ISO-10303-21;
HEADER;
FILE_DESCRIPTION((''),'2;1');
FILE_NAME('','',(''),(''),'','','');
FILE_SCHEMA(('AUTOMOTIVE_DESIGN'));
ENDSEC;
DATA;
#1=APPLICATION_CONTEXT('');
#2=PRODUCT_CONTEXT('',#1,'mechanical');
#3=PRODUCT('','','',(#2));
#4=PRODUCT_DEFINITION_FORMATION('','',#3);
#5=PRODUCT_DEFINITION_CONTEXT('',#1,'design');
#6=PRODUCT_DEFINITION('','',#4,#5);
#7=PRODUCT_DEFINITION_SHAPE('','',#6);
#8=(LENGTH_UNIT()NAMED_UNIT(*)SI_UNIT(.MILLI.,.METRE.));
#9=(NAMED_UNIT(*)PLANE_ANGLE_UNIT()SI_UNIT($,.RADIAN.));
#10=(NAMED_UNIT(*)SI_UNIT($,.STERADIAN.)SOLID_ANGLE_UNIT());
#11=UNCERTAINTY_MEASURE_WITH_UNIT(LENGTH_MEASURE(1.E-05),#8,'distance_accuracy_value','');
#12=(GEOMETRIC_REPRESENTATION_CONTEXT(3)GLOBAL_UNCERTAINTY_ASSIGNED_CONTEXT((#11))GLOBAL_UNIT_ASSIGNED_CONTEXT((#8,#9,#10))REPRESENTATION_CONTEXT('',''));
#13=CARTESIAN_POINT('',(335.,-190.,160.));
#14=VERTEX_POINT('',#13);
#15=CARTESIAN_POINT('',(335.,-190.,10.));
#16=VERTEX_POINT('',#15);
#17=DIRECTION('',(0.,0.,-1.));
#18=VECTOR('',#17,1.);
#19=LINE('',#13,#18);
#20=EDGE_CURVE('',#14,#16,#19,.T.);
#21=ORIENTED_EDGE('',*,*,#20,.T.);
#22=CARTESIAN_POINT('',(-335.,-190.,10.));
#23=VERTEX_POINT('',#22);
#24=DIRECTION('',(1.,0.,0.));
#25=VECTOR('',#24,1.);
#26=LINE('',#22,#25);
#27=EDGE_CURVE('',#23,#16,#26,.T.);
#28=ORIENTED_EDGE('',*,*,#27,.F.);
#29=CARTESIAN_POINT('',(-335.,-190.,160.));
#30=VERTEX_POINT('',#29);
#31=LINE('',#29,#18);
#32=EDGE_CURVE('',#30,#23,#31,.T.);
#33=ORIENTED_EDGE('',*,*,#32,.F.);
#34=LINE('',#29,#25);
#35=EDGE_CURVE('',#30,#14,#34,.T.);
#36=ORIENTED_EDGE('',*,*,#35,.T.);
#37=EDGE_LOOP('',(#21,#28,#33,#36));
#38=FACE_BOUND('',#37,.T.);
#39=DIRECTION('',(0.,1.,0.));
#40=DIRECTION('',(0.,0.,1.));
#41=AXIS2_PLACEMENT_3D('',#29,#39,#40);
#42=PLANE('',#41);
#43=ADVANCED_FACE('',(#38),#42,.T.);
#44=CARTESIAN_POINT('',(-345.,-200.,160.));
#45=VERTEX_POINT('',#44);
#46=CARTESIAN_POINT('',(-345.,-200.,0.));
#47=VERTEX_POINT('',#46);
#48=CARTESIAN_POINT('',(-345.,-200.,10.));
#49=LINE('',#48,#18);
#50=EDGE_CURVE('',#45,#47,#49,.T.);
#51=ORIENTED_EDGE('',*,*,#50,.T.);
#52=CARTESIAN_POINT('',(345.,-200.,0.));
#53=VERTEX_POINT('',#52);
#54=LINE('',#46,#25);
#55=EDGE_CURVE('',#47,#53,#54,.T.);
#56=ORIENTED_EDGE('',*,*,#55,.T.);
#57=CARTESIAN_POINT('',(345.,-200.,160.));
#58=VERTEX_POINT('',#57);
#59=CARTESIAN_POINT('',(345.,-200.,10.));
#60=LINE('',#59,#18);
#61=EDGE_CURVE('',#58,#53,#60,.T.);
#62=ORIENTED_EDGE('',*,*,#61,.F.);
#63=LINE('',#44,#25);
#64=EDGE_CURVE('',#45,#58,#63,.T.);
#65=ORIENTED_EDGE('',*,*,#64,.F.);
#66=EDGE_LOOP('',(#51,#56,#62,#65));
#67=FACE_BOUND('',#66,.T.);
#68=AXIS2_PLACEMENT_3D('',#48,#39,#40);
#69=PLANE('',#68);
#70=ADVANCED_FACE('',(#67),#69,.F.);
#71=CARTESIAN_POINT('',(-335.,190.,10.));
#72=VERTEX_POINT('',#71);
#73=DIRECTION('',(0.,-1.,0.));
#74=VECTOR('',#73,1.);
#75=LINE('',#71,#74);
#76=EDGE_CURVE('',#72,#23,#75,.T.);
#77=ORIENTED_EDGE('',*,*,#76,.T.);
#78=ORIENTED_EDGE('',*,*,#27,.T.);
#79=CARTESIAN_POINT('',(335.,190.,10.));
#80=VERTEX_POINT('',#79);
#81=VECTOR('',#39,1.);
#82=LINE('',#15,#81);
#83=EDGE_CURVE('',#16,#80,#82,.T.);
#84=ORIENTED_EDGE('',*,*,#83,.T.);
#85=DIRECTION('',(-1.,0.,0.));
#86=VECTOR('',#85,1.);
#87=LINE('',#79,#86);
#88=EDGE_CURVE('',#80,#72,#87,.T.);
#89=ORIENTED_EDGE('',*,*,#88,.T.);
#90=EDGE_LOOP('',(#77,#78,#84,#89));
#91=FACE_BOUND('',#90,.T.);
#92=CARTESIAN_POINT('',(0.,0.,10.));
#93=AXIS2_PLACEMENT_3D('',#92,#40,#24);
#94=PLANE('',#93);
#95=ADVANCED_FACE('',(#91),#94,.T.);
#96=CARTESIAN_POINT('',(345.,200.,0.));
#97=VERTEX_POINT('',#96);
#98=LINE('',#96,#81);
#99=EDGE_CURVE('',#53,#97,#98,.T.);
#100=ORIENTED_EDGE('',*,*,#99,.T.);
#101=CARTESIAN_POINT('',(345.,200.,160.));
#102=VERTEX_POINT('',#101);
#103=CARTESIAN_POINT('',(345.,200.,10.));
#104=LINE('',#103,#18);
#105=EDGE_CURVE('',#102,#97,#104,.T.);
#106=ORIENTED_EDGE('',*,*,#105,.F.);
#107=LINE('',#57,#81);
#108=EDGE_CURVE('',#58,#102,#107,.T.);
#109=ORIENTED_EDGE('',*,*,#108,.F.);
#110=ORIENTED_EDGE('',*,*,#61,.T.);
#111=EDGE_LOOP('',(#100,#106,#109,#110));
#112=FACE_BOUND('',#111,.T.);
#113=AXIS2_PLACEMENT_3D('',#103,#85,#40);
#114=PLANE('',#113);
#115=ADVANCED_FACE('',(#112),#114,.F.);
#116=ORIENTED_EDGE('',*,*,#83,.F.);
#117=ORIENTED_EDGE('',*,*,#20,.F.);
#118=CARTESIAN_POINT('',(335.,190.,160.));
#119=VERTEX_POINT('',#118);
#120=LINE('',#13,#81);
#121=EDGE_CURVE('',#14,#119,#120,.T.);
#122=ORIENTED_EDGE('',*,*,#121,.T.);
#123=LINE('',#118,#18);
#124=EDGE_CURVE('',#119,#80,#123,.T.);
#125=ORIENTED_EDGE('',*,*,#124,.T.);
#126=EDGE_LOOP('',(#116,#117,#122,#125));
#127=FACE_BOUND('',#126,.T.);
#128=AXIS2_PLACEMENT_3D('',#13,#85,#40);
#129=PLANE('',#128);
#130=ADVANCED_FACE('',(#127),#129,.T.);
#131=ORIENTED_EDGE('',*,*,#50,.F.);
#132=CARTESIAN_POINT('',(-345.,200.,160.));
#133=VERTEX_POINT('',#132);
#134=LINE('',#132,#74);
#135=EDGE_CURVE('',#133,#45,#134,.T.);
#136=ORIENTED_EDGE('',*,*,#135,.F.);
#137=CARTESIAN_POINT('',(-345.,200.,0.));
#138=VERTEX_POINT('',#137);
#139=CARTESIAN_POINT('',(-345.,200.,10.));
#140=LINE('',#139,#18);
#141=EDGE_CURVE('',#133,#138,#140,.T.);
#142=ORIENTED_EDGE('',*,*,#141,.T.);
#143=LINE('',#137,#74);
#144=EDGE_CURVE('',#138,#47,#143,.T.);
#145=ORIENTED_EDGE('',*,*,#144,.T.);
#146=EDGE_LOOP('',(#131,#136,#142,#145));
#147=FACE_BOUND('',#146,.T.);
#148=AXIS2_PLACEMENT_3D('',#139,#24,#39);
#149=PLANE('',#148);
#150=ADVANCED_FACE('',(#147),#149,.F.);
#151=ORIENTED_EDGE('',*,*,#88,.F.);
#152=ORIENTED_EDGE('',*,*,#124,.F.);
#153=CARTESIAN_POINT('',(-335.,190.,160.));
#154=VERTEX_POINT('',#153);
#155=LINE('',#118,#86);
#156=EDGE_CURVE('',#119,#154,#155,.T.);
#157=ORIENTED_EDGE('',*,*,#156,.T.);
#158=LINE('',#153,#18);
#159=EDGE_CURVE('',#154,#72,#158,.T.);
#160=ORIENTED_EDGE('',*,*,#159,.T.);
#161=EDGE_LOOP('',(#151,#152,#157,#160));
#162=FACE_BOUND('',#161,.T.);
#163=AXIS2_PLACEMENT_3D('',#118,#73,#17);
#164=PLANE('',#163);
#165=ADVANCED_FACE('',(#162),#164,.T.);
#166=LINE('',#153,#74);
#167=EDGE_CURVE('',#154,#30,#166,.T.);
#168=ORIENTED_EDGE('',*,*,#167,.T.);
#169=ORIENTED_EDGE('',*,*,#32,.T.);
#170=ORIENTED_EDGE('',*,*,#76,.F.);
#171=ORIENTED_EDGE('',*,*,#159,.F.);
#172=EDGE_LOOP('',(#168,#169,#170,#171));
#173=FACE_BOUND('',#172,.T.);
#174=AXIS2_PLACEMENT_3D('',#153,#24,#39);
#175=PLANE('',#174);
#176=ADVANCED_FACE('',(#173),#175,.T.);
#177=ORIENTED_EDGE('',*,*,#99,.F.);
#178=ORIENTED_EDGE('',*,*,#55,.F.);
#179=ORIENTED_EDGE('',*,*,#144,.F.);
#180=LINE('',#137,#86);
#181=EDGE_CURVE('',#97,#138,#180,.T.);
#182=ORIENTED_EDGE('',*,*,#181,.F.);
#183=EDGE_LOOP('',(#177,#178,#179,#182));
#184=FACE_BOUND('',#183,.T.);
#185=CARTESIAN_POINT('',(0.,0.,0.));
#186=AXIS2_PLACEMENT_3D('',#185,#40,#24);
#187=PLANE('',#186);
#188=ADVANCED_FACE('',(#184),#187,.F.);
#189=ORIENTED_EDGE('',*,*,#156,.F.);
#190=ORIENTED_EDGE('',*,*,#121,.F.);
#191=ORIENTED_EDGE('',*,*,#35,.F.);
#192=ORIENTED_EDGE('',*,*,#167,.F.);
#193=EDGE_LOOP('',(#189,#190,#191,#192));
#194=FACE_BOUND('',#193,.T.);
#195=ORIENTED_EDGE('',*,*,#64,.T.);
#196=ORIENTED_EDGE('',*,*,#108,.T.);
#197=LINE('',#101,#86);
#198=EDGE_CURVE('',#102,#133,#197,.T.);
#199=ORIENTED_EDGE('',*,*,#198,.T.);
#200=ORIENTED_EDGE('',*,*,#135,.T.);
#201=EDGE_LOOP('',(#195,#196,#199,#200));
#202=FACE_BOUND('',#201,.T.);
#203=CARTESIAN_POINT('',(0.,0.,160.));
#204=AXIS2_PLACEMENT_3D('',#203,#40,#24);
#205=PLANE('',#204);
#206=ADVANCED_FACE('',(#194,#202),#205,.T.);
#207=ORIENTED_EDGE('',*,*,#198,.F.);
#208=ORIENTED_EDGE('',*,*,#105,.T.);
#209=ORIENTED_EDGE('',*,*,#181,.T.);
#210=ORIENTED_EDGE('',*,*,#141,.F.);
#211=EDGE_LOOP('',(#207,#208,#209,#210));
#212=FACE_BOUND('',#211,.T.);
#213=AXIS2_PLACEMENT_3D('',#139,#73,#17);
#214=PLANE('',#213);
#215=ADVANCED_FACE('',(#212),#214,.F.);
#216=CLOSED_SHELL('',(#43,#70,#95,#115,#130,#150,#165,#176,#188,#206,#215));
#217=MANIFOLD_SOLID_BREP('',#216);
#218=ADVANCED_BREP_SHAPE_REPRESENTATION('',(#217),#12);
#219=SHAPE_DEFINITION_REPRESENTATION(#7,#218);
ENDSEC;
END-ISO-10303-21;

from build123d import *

# Parameters (mm, degrees)
SCHIZZO1_W                   = 690
SCHIZZO1_H                   = 400
ESTRUSIONE_ESTRUSIONE1_DEPTH = 10
SCHIZZO2_W                   = 690
SCHIZZO2_H                   = 400
SCHIZZO2_W_2                 = 670
SCHIZZO2_H_2                 = 380
ESTRUSIONE_ESTRUSIONE2_DEPTH = 150


with BuildPart() as part:
    # Schizzo1 → Estrusione-Estrusione1 (new body)
    with BuildSketch(Plane.XY):
        Rectangle(SCHIZZO1_W, SCHIZZO1_H)
    extrude(amount=ESTRUSIONE_ESTRUSIONE1_DEPTH)

    # Schizzo2 → Estrusione-Estrusione2 (add)
    with BuildSketch(Plane.XY.offset(10)):
        Rectangle(SCHIZZO2_W, SCHIZZO2_H)
        Rectangle(SCHIZZO2_W_2, SCHIZZO2_H_2, mode=Mode.SUBTRACT)
    extrude(amount=ESTRUSIONE_ESTRUSIONE2_DEPTH)


solid = part.part
